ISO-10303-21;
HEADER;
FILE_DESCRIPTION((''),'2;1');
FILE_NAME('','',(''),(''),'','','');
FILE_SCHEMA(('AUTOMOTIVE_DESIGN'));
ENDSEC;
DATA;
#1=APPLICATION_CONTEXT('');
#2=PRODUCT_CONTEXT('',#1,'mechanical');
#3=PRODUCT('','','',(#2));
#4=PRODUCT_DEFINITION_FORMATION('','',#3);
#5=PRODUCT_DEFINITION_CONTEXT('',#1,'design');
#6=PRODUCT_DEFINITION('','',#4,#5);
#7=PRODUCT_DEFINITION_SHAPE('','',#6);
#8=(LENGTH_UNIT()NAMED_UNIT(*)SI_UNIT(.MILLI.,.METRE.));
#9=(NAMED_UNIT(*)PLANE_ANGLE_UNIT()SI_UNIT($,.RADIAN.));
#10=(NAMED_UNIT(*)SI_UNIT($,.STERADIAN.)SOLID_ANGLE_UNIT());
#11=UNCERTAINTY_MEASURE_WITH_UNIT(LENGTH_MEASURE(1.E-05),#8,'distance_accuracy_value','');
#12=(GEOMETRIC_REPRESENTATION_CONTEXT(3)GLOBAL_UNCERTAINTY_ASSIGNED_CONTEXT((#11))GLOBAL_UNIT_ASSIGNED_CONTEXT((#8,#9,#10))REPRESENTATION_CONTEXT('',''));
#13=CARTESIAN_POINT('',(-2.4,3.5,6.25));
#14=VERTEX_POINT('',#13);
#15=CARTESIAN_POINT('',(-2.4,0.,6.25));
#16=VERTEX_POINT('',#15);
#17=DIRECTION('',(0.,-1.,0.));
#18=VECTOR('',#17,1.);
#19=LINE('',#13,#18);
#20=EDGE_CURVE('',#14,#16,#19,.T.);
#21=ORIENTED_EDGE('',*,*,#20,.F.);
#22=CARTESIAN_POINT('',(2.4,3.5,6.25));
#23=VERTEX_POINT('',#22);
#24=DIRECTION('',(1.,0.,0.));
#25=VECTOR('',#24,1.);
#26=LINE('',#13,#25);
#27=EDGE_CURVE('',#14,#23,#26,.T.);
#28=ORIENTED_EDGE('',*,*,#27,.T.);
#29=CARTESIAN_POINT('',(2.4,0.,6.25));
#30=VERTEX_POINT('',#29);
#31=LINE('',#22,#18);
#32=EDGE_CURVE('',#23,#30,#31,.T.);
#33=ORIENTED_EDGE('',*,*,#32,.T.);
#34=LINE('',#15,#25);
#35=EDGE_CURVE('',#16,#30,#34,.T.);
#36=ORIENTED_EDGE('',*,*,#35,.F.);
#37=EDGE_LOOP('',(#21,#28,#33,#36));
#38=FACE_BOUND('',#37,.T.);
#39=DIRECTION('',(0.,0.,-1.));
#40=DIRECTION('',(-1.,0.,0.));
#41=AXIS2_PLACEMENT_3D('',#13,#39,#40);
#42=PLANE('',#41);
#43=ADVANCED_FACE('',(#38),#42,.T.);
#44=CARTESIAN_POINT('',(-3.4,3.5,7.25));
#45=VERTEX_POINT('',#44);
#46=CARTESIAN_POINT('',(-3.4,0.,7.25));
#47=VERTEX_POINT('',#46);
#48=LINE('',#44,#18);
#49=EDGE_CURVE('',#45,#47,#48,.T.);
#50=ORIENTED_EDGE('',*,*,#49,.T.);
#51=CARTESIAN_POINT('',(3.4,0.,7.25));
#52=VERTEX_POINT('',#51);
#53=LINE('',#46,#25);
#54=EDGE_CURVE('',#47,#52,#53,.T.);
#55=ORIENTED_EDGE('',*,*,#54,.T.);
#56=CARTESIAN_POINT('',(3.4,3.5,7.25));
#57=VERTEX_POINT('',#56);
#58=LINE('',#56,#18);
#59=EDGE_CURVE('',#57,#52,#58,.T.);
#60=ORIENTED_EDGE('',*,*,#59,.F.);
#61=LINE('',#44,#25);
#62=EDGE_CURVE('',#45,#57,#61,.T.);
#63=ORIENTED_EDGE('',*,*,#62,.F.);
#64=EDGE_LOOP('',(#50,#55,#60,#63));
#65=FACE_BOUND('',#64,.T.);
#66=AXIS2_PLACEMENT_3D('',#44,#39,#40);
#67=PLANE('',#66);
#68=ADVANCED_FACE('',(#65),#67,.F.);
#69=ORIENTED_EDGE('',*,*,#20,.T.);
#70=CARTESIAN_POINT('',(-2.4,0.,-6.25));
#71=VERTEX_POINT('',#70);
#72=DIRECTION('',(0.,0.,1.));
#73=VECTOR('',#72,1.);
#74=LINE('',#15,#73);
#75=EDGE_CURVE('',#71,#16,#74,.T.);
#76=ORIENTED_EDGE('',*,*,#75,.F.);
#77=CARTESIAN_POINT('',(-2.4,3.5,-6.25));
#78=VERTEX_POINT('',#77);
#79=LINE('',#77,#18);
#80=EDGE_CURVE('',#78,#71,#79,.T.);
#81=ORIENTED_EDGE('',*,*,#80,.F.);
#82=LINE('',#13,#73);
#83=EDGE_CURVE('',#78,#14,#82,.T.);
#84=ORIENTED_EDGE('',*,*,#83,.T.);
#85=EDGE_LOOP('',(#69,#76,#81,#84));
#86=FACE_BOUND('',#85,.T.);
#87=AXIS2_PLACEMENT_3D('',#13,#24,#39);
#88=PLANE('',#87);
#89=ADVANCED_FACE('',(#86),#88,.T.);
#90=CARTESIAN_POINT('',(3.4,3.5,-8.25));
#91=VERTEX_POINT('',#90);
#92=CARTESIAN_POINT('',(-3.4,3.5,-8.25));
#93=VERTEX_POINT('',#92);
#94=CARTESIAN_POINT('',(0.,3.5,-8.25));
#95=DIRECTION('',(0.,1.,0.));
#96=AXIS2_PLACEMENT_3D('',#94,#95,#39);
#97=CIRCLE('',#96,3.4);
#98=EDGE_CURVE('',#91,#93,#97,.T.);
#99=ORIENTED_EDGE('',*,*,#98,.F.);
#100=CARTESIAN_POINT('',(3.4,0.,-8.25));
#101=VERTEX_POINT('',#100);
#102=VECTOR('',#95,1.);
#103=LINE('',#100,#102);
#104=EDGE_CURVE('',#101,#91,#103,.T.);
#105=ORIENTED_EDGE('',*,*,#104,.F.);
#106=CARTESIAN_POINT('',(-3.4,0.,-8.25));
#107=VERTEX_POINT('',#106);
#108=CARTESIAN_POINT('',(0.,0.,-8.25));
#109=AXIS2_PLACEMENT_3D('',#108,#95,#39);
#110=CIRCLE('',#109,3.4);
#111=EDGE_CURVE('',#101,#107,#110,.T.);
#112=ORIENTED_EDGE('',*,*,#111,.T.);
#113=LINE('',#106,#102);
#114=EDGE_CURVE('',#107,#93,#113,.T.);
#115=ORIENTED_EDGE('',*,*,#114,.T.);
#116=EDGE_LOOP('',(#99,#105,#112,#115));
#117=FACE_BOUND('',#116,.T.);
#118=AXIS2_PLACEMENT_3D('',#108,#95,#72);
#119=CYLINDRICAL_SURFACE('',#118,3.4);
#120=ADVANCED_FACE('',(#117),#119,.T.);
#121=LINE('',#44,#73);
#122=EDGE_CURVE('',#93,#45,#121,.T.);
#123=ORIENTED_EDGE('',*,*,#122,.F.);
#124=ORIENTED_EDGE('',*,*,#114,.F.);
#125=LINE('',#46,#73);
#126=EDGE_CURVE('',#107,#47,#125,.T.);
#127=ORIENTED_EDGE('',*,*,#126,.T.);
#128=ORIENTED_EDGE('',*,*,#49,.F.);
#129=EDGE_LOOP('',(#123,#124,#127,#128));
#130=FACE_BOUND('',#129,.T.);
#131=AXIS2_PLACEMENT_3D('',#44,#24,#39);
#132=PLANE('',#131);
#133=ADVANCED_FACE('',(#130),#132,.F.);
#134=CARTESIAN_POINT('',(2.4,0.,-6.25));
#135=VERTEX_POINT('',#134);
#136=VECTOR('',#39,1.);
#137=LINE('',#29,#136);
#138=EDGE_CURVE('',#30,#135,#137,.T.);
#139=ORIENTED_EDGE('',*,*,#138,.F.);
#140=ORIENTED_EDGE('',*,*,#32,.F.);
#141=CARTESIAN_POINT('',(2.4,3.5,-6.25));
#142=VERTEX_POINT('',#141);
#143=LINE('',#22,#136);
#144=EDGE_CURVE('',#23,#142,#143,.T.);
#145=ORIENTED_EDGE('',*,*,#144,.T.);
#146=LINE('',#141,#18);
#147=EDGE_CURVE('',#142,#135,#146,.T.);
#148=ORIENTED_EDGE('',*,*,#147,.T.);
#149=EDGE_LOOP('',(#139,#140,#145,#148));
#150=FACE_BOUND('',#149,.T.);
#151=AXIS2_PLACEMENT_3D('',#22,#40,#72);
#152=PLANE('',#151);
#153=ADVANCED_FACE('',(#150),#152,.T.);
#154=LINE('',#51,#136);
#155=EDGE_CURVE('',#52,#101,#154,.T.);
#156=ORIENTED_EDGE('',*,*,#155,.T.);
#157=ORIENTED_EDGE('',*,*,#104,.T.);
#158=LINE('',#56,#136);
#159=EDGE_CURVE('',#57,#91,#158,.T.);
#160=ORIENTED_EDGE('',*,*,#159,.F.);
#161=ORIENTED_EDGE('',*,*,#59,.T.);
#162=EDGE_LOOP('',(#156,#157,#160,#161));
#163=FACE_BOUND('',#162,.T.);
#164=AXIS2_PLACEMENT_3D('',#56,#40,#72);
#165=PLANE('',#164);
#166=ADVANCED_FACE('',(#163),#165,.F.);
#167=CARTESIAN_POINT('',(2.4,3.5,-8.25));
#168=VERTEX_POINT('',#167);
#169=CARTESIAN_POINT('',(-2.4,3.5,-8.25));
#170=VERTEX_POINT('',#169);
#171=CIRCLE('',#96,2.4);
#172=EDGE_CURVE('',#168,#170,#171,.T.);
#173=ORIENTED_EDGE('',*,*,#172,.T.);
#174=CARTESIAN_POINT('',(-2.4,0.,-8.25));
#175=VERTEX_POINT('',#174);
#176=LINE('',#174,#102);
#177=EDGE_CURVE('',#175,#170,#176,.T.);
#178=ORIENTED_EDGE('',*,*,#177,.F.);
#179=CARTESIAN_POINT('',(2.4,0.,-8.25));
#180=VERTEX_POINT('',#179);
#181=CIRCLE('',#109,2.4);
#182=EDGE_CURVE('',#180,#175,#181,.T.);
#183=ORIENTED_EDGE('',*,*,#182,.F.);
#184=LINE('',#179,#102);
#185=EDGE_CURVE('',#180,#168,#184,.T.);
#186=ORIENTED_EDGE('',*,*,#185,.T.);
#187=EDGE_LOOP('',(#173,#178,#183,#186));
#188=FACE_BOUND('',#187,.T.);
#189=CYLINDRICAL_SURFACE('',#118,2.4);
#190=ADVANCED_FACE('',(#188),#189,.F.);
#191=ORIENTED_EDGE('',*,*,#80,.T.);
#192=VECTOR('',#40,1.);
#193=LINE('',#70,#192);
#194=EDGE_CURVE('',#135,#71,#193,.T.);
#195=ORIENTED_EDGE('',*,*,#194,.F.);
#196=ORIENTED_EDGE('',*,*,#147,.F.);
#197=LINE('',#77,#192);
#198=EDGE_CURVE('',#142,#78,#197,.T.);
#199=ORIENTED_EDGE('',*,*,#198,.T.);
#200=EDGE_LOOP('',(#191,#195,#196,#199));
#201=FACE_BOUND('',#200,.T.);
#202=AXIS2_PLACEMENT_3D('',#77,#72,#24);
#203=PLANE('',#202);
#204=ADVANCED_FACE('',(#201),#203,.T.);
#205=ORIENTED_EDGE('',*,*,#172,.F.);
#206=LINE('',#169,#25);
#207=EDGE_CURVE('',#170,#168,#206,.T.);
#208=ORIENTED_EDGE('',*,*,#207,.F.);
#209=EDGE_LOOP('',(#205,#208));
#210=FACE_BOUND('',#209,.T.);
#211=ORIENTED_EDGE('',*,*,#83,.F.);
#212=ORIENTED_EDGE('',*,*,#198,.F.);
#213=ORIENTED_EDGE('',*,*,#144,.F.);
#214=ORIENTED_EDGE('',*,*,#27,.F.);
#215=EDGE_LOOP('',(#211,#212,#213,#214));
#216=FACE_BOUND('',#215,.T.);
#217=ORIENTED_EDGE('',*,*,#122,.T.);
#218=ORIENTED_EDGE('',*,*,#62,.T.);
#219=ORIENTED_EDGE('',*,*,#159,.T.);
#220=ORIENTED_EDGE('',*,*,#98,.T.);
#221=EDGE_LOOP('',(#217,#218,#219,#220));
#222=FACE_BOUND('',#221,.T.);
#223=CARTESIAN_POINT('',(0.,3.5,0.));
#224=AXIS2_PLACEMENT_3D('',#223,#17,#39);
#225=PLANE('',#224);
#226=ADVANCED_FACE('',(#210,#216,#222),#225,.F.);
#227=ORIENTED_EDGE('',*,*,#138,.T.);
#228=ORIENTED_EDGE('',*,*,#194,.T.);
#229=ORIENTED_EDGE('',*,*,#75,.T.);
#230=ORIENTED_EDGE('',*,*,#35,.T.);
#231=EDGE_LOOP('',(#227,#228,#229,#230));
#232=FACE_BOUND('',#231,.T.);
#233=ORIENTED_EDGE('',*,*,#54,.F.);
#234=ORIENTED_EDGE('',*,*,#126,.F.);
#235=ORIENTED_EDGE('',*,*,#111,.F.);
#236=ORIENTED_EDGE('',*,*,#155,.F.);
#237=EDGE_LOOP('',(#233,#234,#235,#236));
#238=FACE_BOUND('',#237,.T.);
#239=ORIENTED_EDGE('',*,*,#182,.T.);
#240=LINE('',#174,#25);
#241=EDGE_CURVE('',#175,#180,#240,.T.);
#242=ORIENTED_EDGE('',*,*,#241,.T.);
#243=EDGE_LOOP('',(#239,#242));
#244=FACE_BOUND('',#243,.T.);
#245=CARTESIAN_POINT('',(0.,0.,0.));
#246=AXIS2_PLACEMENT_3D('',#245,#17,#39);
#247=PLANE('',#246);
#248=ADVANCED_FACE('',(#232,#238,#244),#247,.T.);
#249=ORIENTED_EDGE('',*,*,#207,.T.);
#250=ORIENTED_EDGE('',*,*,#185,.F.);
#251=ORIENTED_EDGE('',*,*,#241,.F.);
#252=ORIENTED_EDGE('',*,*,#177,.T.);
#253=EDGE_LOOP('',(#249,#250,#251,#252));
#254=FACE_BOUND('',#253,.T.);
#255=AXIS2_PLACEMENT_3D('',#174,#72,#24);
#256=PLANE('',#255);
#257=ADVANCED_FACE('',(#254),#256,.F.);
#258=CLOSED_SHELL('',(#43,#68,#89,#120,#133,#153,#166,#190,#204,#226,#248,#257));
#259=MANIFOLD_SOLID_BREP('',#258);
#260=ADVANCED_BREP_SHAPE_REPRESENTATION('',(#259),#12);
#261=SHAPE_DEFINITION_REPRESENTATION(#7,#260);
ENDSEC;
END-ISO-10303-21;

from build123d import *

# Parameters (mm, degrees)
SKETCH1_W           = 6.8
SKETCH1_H           = 14.5
SKETCH1_W_2         = 4.8
SKETCH1_H_2         = 12.5
BOSS_EXTRUDE1_DEPTH = 3.5
BOSS_EXTRUDE2_DEPTH = 3.5


with BuildPart() as part:
    # Sketch1 → Boss-Extrude1 (new body)
    with BuildSketch(Plane(origin=(0, 0, 0), x_dir=(1, 0, 0), z_dir=(0, 1, 0))):
        Rectangle(SKETCH1_W, SKETCH1_H)
        Rectangle(SKETCH1_W_2, SKETCH1_H_2, mode=Mode.SUBTRACT)
    extrude(amount=BOSS_EXTRUDE1_DEPTH)

    # Sketch2 → Boss-Extrude2 (add)
    with BuildSketch(Plane(origin=(0, 3.5, 0), x_dir=(1, 0, 0), z_dir=(0, 1, 0))):
        with BuildLine():
            Line((-3.4, 7.25), (3.4, 7.25))
            Line((3.4, 7.25), (3.4, 8.25))
            ThreePointArc((3.4, 8.25), (0, 11.65), (-3.4, 8.25))
            Line((-3.4, 8.25), (-3.4, 7.25))
        make_face()
        with BuildLine():
            Line((-2.4, 8.25), (2.4, 8.25))
            ThreePointArc((2.4, 8.25), (0, 10.65), (-2.4, 8.25))
        make_face(mode=Mode.SUBTRACT)
    extrude(amount=-BOSS_EXTRUDE2_DEPTH)


solid = part.part
